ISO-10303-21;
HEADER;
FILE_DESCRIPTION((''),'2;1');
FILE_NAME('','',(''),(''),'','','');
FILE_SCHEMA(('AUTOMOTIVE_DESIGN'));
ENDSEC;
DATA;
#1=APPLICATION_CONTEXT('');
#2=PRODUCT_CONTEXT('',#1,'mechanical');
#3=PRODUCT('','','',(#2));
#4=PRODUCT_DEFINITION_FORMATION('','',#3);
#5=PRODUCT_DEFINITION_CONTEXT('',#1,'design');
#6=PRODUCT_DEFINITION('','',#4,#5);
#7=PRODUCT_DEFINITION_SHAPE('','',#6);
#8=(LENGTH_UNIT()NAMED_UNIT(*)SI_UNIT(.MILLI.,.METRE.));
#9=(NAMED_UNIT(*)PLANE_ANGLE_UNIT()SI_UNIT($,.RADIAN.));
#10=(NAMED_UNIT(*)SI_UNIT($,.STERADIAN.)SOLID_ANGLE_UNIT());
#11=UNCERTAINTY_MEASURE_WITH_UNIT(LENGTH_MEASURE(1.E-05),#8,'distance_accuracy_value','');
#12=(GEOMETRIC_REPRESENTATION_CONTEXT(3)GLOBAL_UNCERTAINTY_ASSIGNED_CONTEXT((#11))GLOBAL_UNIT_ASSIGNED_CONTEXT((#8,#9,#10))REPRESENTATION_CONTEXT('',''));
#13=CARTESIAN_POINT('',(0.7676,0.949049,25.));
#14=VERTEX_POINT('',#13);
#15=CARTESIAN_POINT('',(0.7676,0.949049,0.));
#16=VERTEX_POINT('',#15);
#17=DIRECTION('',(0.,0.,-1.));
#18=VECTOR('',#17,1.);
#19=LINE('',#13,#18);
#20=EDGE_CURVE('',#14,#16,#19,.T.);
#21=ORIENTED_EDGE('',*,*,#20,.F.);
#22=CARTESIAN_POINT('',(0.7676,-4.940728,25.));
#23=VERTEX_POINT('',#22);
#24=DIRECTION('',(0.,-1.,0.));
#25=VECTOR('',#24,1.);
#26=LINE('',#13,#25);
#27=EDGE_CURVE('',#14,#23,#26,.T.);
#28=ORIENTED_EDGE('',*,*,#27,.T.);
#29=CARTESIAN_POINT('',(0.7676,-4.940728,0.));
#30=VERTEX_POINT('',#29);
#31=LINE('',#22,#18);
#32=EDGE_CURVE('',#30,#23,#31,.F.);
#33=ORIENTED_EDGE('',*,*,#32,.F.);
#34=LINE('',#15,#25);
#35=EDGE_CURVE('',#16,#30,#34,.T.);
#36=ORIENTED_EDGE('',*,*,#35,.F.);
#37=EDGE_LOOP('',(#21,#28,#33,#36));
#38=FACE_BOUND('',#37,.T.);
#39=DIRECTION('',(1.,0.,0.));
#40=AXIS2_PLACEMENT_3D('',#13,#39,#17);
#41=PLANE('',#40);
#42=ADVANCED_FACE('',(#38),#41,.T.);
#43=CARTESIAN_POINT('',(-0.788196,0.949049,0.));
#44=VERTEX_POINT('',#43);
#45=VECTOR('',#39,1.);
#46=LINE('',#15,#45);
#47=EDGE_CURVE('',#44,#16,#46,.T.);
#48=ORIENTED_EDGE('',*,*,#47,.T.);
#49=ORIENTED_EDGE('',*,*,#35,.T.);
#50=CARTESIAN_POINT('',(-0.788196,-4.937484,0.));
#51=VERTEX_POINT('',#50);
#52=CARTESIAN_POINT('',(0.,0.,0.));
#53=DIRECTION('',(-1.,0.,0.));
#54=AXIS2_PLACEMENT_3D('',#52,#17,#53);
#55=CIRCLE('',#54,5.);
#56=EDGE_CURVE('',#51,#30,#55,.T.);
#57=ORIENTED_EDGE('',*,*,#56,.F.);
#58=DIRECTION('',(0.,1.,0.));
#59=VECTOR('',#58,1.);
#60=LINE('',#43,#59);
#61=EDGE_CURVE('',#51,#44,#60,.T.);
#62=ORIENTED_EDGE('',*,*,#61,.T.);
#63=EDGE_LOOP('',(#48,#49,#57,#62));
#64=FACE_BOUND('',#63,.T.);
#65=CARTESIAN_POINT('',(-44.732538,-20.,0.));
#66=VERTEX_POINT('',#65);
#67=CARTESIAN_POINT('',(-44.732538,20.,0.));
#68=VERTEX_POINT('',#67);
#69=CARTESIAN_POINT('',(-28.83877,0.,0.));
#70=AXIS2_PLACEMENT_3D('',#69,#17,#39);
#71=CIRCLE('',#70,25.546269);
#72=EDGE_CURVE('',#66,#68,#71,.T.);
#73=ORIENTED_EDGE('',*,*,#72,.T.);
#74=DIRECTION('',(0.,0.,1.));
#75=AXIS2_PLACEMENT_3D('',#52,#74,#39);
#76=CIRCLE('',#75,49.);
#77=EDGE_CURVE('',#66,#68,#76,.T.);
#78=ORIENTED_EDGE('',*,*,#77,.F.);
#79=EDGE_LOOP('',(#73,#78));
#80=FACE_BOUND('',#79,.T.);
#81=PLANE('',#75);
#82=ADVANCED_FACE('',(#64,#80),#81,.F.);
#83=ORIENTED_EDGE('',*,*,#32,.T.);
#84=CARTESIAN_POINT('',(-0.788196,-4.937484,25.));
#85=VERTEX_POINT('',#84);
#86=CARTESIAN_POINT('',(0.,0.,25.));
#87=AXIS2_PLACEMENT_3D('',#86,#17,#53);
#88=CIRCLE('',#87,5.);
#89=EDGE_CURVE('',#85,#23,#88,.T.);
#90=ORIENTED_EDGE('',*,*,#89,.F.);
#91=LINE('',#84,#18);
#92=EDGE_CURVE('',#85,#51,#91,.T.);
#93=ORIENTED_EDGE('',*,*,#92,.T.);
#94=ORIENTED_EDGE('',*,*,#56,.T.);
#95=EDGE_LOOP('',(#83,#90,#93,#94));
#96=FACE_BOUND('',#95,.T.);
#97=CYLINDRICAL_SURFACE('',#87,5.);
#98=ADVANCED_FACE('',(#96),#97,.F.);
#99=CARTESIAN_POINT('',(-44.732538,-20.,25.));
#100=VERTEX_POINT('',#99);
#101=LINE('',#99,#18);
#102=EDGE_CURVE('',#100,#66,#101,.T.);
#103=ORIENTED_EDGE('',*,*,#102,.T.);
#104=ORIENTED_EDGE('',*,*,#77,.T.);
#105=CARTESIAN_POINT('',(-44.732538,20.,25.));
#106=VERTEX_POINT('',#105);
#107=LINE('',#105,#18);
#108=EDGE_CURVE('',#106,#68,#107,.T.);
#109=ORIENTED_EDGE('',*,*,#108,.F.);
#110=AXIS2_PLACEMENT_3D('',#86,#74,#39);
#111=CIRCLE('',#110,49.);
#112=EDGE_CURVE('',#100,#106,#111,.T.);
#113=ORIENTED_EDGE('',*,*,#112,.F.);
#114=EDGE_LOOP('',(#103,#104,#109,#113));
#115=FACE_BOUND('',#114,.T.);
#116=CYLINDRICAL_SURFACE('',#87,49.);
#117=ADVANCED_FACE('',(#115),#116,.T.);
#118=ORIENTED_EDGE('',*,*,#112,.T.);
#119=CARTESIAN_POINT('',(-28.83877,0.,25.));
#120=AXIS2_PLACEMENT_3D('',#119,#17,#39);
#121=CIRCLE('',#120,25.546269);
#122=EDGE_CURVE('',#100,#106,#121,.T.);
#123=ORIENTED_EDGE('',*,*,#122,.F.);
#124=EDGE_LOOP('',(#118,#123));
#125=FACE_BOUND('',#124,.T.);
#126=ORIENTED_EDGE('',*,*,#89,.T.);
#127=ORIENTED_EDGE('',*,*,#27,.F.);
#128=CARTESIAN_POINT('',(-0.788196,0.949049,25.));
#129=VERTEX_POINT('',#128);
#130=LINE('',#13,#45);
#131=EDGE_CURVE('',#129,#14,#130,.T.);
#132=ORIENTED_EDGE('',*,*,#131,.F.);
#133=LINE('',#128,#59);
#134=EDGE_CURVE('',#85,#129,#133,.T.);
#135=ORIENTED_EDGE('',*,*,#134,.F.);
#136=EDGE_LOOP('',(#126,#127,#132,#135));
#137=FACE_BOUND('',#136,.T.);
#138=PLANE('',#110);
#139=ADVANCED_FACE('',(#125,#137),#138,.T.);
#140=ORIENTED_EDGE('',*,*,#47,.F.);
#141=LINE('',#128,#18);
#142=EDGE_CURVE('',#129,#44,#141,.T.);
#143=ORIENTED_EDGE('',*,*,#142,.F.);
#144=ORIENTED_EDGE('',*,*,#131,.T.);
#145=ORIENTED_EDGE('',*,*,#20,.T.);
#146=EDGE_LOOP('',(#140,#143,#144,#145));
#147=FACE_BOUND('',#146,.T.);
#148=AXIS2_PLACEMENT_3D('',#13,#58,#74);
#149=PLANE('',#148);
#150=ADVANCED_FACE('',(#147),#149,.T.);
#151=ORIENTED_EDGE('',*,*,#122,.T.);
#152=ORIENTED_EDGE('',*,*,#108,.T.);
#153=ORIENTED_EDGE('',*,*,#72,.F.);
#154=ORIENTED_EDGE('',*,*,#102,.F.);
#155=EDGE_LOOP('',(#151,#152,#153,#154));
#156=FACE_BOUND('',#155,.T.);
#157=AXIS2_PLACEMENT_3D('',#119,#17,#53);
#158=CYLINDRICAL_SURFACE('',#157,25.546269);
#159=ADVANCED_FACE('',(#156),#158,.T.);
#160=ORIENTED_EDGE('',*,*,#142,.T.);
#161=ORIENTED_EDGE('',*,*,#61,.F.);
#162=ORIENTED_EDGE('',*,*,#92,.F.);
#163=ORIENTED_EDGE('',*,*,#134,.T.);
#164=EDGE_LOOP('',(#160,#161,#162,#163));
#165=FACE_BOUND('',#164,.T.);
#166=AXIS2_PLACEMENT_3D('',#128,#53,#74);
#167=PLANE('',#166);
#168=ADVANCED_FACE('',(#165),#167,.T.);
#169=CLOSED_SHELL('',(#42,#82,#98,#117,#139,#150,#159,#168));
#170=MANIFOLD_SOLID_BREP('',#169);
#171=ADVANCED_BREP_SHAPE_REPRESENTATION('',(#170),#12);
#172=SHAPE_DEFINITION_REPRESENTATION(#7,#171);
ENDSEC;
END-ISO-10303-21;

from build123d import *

# Parameters (mm, degrees)
SKETCH_1_R          = 49
EXTRUDE_1_DEPTH     = 25
SKETCH_2_R          = 5
CUT_EXTRUDE_1_DEPTH = 25
SKETCH_3_W          = 1.555795937
SKETCH_3_H          = 6.849823777
EXTRUDE_4_DEPTH     = 25
EXTRUDE_5_DEPTH     = 25


with BuildPart() as part:
    # 草图1 → 凸台-拉伸1 (new body)
    with BuildSketch(Plane.XY):
        Circle(SKETCH_1_R)
    extrude(amount=EXTRUDE_1_DEPTH)

    # 草图2 → 切除-拉伸1 (cut)
    with BuildSketch(Plane(origin=(0, 0, 0), x_dir=(-1, 0, 0), z_dir=(0, 0, -1))):
        Circle(SKETCH_2_R)
    extrude(amount=-CUT_EXTRUDE_1_DEPTH, mode=Mode.SUBTRACT)

    # 草图3 → 凸台-拉伸4 (add)
    with BuildSketch(Plane(origin=(0, 0, 0), x_dir=(-1, 0, 0), z_dir=(0, 0, -1))):
        with Locations((0.010297919, -2.475862613)):
            Rectangle(SKETCH_3_W, SKETCH_3_H)
    extrude(amount=-EXTRUDE_4_DEPTH)

    # 草图7 → 凸台-拉伸5 (add)
    with BuildSketch(Plane(origin=(0, 0, 0), x_dir=(-1, 0, 0), z_dir=(0, 0, -1))):
        with BuildLine():
            ThreePointArc((44.732538493, 20), (54.385039322, 0), (44.732538493, -20))
            ThreePointArc((44.732538493, -20), (49, 0), (44.732538493, 20))
        make_face()
    extrude(amount=-EXTRUDE_5_DEPTH)


solid = part.part
